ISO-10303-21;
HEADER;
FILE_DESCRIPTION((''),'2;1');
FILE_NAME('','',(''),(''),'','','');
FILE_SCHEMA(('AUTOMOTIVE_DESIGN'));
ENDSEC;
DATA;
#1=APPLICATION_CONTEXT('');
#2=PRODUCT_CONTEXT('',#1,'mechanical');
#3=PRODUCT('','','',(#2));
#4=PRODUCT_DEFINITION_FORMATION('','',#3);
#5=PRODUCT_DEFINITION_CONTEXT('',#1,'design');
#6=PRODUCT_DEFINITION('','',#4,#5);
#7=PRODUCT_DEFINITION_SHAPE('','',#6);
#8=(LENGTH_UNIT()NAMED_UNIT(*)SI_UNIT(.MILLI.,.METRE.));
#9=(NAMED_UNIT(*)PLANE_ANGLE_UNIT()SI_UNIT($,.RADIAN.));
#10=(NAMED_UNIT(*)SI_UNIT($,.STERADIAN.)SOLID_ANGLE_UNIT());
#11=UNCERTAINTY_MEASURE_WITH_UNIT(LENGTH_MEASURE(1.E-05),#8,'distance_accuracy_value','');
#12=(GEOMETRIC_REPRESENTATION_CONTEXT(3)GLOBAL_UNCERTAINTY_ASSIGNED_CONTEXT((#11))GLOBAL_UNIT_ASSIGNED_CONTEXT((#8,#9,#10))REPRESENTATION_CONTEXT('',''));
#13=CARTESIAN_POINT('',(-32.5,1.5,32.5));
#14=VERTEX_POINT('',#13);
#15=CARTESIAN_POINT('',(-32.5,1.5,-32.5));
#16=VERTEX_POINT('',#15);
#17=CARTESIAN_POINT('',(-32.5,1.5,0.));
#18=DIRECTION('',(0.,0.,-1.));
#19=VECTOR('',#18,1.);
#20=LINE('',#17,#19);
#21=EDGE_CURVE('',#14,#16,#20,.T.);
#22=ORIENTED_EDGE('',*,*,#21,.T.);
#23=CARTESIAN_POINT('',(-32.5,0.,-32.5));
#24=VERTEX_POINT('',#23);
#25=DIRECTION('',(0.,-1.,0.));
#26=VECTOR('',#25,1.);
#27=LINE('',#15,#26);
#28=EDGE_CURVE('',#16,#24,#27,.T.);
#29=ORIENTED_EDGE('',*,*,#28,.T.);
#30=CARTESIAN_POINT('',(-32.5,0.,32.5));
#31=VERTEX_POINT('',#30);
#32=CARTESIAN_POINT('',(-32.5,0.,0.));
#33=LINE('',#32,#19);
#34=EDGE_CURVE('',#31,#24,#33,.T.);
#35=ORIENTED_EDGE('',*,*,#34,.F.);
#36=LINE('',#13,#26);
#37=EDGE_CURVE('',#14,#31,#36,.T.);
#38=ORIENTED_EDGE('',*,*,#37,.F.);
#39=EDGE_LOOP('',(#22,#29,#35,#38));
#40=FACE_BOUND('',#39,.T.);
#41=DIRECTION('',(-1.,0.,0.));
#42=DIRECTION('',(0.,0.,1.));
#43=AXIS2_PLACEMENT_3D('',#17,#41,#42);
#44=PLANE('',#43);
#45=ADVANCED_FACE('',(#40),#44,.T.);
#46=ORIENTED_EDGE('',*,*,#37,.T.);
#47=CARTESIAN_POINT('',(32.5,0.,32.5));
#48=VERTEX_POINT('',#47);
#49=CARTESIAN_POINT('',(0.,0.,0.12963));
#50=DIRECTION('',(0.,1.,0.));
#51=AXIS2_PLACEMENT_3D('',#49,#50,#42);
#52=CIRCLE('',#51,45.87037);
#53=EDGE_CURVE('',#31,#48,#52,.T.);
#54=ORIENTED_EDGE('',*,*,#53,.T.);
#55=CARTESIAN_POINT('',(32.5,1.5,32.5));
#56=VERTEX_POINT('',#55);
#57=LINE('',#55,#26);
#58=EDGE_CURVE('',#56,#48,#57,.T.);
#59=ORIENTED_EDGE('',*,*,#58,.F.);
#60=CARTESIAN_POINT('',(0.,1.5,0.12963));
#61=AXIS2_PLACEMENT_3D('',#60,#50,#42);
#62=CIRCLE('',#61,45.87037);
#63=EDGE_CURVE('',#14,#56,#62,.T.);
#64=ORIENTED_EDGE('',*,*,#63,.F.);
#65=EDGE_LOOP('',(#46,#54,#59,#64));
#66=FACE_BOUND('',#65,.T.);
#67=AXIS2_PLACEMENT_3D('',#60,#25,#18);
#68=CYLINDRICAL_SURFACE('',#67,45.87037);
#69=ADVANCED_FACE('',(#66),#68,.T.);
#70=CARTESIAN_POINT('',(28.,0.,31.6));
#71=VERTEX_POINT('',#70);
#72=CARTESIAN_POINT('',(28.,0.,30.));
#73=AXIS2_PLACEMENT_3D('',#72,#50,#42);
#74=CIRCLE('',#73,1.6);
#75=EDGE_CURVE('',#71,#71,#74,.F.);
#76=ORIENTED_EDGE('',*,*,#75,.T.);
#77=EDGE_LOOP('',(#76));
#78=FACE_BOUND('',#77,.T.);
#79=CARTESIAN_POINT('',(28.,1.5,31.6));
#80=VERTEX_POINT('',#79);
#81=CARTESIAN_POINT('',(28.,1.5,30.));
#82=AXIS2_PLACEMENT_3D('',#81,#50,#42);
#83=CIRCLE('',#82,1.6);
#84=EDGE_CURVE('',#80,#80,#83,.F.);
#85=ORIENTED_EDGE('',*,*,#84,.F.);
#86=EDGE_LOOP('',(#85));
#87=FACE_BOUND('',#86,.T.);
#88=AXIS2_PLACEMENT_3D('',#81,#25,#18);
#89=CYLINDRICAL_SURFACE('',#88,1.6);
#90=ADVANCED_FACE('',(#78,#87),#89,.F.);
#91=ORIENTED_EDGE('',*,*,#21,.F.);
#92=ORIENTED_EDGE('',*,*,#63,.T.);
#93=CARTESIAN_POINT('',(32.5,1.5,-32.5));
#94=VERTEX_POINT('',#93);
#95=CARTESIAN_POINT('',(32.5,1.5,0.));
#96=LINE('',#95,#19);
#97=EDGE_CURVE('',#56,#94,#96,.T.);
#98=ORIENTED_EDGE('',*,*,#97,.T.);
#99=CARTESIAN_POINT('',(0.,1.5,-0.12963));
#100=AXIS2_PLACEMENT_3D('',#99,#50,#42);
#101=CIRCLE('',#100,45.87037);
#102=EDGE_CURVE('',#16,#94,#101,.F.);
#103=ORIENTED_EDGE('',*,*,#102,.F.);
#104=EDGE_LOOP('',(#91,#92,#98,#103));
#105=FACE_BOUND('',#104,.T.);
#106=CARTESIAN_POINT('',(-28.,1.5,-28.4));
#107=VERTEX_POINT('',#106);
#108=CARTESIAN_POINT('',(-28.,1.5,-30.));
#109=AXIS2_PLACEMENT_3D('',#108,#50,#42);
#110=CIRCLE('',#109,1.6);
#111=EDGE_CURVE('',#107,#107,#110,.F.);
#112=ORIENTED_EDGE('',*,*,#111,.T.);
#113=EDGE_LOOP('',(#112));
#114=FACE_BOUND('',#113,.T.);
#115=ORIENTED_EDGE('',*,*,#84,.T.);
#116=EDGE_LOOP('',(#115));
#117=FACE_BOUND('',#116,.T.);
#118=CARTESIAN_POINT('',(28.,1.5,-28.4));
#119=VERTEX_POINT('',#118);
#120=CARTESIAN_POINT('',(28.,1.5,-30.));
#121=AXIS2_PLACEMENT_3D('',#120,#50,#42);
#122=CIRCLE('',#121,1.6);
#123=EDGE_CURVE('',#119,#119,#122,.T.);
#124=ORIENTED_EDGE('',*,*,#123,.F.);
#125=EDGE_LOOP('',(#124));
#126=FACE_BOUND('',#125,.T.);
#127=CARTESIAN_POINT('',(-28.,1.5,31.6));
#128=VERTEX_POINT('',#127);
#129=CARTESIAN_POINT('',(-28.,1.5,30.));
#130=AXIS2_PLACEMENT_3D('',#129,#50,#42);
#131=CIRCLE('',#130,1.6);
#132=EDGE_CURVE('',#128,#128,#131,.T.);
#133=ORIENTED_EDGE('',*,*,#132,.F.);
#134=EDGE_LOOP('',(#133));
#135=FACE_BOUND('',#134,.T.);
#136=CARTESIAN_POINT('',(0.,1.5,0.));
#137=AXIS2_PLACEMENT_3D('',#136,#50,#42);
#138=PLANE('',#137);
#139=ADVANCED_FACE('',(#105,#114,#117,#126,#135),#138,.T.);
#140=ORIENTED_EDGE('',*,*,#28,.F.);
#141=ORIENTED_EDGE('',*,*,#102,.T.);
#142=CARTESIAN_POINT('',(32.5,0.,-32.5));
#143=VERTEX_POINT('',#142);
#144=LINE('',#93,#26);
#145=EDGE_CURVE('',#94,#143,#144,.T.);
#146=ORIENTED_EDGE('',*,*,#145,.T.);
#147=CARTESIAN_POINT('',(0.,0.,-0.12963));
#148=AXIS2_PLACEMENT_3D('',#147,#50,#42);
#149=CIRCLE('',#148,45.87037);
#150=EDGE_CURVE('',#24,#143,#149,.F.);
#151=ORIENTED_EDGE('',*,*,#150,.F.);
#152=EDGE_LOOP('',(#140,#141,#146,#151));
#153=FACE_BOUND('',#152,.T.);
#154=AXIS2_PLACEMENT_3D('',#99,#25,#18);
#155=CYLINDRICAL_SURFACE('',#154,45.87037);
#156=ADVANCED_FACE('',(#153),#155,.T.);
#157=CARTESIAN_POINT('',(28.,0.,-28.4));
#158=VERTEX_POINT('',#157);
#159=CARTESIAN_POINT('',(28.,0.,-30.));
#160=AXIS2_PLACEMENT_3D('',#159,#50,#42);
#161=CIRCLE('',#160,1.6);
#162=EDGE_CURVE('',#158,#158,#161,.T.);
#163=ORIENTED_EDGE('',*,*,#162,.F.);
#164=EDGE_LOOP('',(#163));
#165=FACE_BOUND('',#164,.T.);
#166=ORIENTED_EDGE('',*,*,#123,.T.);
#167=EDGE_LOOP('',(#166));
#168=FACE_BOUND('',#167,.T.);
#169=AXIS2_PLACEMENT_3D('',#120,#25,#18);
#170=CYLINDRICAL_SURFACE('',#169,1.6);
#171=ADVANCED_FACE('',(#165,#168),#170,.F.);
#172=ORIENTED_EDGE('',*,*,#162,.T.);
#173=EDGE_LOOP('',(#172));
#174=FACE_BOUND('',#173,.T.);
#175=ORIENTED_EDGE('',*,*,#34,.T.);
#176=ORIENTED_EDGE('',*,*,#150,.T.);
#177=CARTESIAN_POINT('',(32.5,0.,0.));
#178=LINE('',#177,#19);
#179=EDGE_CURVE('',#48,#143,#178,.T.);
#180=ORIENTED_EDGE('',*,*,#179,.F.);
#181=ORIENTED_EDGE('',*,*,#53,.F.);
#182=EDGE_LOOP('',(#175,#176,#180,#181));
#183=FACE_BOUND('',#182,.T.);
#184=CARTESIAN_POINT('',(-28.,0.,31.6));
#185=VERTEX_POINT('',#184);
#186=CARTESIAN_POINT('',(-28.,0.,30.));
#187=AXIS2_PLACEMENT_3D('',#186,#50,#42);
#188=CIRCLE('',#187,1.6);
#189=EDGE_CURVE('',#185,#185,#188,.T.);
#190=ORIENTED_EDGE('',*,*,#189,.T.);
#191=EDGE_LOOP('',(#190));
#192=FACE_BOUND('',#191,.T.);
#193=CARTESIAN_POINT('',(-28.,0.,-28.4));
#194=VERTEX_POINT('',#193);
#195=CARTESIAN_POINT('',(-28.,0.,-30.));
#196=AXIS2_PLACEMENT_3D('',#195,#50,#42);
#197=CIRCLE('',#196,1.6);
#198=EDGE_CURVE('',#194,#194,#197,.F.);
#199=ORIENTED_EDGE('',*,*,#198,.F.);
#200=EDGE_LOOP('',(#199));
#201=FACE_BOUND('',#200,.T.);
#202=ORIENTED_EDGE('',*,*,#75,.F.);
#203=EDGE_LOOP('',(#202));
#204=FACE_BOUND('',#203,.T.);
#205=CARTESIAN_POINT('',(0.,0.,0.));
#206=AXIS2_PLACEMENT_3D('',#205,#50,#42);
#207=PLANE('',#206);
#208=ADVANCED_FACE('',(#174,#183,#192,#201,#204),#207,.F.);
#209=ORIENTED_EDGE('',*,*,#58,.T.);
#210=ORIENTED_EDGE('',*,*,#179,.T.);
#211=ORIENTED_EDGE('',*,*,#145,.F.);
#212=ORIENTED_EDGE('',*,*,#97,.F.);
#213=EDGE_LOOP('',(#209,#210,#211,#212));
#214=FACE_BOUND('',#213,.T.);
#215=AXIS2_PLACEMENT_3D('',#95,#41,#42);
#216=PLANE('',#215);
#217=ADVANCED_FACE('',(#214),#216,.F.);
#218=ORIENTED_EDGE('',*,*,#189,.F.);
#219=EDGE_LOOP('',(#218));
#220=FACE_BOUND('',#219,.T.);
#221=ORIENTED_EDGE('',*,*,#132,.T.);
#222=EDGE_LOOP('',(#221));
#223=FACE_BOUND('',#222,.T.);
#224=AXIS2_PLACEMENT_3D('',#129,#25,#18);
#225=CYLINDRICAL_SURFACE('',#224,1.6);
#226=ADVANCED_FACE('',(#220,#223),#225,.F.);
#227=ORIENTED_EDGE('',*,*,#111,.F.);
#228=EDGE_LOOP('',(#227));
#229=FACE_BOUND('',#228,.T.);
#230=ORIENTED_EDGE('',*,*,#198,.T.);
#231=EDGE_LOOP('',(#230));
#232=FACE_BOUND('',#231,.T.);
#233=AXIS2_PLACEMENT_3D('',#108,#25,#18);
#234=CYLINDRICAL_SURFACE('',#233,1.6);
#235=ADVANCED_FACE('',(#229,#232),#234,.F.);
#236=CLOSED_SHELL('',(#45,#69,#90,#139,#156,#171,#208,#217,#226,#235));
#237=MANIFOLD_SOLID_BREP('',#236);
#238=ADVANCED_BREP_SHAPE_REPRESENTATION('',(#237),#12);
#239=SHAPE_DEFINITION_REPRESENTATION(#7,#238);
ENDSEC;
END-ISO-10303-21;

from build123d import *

# Parameters (mm, degrees)
SKETCH_1_W      = 65
SKETCH_1_H      = 65
SKETCH_1_R      = 1.6
EXTRUDE_1_DEPTH = 1.5


with BuildPart() as part:
    # Эскиз1 → Бобышка-Вытянуть1 (new body)
    # profile 1 of 3: a face of its own
    with BuildSketch(Plane(origin=(0, 0, 0), x_dir=(1, 0, 0), z_dir=(0, 1, 0))):
        with BuildLine():
            Line((-32.5, -32.5), (32.5, -32.5))
            ThreePointArc((32.5, -32.5), (0, -46), (-32.5, -32.5))
        make_face()
    # profile 2 of 3: a face of its own
    with BuildSketch(Plane(origin=(0, 0, 0), x_dir=(1, 0, 0), z_dir=(0, 1, 0))):
        Rectangle(SKETCH_1_W, SKETCH_1_H)
        with Locations(Location((-28, -30, 0), (0, 0, 270))):
            Circle(SKETCH_1_R, mode=Mode.SUBTRACT)
        with Locations(Location((-28, 30, 0), (0, 0, 270))):
            Circle(SKETCH_1_R, mode=Mode.SUBTRACT)
        with Locations(Location((28, 30, 0), (0, 0, 270))):
            Circle(SKETCH_1_R, mode=Mode.SUBTRACT)
        with Locations(Location((28, -30, 0), (0, 0, 270))):
            Circle(SKETCH_1_R, mode=Mode.SUBTRACT)
    # profile 3 of 3: a face of its own
    with BuildSketch(Plane(origin=(0, 0, 0), x_dir=(1, 0, 0), z_dir=(0, 1, 0))):
        with BuildLine():
            ThreePointArc((-32.5, 32.5), (0, 46), (32.5, 32.5))
            Line((32.5, 32.5), (-32.5, 32.5))
        make_face()
    extrude(amount=EXTRUDE_1_DEPTH)


solid = part.part
